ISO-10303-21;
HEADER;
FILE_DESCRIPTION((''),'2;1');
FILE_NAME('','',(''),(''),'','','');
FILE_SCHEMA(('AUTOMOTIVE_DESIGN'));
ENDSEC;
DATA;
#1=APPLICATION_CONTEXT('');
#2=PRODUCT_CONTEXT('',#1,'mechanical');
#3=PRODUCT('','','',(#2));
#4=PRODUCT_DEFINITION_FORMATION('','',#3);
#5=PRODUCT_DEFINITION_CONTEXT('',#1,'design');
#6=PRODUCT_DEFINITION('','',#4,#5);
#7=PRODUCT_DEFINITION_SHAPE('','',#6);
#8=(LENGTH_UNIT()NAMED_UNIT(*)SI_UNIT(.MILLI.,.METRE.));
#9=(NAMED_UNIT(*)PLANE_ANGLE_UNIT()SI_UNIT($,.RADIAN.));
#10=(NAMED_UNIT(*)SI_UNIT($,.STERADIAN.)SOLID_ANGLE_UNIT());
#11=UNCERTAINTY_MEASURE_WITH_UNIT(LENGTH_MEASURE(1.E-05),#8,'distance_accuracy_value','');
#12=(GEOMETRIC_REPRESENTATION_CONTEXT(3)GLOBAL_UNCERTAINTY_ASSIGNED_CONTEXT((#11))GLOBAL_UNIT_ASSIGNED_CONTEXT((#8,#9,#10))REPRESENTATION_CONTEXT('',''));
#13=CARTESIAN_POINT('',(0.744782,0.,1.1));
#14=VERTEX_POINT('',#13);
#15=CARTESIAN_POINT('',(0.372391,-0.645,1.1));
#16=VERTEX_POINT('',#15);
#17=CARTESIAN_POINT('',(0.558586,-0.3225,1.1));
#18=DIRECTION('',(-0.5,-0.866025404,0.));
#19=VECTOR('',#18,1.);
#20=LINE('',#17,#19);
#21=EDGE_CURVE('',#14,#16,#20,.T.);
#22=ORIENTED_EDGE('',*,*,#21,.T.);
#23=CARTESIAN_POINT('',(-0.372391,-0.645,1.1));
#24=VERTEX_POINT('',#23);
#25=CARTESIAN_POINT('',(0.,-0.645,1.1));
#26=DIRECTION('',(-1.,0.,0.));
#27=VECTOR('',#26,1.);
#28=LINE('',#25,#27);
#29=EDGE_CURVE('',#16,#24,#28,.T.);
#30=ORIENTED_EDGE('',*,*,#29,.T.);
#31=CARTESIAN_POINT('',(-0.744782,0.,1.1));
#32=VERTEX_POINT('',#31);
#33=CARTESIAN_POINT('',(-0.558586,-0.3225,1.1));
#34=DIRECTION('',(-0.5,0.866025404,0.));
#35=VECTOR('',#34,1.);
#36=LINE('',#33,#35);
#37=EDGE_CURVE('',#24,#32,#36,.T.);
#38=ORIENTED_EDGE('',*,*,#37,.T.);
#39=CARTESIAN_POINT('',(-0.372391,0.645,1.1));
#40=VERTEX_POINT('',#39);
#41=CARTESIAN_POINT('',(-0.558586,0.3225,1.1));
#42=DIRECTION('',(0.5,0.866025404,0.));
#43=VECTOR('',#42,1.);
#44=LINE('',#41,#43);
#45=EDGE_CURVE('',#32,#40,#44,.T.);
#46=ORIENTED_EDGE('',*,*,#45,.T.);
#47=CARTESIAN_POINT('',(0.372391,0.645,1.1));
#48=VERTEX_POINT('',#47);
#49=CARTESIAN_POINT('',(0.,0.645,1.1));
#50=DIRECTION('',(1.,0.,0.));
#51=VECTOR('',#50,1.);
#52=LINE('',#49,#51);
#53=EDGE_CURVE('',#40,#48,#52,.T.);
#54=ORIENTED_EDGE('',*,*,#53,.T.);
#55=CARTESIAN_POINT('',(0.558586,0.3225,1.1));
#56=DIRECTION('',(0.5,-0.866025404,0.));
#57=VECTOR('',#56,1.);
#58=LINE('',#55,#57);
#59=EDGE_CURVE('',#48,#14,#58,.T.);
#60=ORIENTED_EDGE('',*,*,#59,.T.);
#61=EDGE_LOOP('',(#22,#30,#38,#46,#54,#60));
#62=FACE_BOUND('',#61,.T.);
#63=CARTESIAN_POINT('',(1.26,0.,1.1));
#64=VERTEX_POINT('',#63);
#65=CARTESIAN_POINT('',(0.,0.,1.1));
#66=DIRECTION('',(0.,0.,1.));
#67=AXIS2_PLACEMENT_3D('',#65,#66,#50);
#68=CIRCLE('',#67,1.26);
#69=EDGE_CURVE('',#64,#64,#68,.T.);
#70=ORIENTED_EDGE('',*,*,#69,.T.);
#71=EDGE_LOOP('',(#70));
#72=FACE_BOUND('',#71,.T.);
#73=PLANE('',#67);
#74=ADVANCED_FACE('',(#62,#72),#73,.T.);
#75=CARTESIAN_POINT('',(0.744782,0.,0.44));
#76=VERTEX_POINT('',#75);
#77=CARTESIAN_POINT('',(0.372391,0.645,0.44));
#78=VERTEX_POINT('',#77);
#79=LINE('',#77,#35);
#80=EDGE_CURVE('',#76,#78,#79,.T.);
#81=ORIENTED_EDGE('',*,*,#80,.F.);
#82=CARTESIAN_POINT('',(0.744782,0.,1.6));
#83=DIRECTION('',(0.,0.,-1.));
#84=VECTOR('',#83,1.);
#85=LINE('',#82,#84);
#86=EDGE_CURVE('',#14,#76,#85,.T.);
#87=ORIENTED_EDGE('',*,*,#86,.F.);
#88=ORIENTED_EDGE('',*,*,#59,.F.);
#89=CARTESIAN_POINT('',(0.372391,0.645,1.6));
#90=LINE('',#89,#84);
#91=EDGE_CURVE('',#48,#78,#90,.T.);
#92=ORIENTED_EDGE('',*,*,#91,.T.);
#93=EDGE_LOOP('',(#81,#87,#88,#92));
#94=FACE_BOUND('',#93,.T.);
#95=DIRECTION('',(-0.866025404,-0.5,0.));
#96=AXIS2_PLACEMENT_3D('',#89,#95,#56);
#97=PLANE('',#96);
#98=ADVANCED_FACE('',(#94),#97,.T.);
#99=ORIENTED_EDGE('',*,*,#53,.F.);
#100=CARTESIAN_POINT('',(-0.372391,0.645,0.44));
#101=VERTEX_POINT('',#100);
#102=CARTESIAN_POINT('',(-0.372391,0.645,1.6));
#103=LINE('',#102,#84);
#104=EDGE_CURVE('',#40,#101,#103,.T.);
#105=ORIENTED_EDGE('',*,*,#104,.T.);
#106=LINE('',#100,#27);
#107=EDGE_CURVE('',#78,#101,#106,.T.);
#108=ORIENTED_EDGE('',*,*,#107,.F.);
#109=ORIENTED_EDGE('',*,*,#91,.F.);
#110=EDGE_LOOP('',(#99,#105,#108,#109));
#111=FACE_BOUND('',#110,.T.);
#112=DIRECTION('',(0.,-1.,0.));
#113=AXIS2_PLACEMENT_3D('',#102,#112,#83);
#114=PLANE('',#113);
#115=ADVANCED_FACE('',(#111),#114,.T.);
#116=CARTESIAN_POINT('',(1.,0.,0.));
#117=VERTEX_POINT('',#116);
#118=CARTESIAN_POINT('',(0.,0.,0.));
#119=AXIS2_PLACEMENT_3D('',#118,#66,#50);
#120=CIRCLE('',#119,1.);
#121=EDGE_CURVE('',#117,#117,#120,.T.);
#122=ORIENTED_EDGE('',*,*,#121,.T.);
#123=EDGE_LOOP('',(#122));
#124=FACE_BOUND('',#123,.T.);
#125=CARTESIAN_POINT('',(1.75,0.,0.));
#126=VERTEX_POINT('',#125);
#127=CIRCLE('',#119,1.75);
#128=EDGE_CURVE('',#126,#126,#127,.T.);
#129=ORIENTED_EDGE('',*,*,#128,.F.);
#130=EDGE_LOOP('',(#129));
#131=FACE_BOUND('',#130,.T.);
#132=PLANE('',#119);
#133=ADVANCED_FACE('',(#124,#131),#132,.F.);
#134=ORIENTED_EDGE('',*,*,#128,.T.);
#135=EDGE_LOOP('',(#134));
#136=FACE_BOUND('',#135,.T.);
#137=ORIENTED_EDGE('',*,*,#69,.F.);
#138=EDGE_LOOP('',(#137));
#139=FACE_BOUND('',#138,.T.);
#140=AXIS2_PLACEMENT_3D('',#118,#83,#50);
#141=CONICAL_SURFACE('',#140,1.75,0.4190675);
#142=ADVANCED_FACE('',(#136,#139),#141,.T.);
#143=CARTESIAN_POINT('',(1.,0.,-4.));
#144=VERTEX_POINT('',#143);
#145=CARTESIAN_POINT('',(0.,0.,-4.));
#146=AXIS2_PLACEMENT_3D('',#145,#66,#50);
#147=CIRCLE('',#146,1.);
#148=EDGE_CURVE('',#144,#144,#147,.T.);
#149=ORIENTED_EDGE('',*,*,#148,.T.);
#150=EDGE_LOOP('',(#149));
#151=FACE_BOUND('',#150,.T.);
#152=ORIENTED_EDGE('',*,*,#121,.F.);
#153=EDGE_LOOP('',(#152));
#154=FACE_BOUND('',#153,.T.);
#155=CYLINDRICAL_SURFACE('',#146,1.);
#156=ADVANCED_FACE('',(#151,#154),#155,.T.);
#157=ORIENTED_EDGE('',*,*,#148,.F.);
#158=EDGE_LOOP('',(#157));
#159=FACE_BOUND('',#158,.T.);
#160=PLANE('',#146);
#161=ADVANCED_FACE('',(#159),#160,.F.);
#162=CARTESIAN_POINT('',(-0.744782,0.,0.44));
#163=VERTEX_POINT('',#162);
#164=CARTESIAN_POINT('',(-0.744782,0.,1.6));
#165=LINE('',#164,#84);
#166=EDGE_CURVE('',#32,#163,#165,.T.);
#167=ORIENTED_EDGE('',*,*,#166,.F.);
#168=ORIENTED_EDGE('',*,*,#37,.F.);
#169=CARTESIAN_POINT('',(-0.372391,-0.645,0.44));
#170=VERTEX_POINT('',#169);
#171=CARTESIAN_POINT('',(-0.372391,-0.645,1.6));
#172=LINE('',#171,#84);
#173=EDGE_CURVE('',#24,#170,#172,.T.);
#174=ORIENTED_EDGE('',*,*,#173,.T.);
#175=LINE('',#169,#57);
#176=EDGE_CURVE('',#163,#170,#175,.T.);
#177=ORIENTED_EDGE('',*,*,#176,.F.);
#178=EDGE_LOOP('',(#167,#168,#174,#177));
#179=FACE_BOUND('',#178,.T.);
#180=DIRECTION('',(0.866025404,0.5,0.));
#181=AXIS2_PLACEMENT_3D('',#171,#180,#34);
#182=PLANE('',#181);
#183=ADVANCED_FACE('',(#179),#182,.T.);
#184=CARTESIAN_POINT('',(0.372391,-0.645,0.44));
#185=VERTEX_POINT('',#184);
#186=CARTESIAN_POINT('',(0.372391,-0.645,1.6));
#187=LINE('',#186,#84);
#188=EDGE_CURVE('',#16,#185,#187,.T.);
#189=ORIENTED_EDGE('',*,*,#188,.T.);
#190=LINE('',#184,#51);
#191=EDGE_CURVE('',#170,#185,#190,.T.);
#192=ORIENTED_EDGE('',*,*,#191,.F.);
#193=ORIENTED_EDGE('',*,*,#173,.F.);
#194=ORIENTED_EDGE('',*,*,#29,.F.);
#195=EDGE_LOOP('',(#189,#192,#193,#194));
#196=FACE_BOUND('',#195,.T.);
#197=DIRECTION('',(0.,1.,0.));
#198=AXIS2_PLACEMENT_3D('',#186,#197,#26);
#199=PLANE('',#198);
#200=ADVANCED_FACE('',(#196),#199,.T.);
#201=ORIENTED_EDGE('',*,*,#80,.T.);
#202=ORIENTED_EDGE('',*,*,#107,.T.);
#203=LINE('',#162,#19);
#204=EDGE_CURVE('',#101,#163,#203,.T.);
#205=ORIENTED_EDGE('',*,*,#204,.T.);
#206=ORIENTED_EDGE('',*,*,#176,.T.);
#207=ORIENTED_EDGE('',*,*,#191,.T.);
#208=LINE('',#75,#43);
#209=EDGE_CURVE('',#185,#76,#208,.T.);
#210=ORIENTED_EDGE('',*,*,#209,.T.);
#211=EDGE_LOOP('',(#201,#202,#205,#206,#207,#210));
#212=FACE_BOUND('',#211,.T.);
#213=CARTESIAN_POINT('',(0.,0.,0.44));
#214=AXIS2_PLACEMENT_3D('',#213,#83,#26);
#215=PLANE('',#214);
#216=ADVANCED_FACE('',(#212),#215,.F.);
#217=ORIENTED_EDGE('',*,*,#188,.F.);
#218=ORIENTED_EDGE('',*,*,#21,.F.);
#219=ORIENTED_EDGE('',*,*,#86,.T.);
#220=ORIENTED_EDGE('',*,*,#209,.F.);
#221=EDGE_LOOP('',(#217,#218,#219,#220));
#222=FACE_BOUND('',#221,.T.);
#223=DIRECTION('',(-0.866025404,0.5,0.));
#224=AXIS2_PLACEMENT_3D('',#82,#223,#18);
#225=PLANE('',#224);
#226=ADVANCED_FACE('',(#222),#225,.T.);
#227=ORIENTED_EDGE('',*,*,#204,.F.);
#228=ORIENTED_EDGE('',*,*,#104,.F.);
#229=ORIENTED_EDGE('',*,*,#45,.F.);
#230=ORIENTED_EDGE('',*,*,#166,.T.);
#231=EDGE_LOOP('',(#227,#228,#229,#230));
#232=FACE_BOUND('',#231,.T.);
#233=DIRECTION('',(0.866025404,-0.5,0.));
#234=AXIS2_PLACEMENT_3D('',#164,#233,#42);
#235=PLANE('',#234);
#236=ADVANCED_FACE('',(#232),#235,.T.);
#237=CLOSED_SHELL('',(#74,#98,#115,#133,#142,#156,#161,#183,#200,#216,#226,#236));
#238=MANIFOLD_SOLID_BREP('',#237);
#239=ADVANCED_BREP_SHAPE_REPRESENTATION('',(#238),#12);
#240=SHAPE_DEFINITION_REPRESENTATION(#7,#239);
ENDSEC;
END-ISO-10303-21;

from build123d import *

# Parameters (mm, degrees)
SK_SHANK_R   = 1
SHANK_DEPTH  = 4
SK_HEAD_R    = 1.75
HEAD_DEPTH   = 1.1
HEAD_TAPER   = 24.010799064
SOCKET_START = 0.44
SOCKET_DEPTH = 1.16


with BuildPart() as part:
    # SK_shank → Shank (new body)
    with BuildSketch(Plane.XY):
        Circle(SK_SHANK_R)
    extrude(amount=-SHANK_DEPTH)

    # SK_head → Head (add)
    with BuildSketch(Plane.XY):
        Circle(SK_HEAD_R)
    extrude(amount=HEAD_DEPTH, taper=HEAD_TAPER)

    # SK_socket → Socket (cut)
    with BuildSketch(Plane.XY.offset(SOCKET_START)):
        Polygon((0.744781847, 0), (0.372390924, -0.645), (-0.372390924, -0.645), (-0.744781847, 0), (-0.372390924, 0.645), (0.372390924, 0.645), align=None)
    extrude(amount=SOCKET_DEPTH, mode=Mode.SUBTRACT)


solid = part.part
